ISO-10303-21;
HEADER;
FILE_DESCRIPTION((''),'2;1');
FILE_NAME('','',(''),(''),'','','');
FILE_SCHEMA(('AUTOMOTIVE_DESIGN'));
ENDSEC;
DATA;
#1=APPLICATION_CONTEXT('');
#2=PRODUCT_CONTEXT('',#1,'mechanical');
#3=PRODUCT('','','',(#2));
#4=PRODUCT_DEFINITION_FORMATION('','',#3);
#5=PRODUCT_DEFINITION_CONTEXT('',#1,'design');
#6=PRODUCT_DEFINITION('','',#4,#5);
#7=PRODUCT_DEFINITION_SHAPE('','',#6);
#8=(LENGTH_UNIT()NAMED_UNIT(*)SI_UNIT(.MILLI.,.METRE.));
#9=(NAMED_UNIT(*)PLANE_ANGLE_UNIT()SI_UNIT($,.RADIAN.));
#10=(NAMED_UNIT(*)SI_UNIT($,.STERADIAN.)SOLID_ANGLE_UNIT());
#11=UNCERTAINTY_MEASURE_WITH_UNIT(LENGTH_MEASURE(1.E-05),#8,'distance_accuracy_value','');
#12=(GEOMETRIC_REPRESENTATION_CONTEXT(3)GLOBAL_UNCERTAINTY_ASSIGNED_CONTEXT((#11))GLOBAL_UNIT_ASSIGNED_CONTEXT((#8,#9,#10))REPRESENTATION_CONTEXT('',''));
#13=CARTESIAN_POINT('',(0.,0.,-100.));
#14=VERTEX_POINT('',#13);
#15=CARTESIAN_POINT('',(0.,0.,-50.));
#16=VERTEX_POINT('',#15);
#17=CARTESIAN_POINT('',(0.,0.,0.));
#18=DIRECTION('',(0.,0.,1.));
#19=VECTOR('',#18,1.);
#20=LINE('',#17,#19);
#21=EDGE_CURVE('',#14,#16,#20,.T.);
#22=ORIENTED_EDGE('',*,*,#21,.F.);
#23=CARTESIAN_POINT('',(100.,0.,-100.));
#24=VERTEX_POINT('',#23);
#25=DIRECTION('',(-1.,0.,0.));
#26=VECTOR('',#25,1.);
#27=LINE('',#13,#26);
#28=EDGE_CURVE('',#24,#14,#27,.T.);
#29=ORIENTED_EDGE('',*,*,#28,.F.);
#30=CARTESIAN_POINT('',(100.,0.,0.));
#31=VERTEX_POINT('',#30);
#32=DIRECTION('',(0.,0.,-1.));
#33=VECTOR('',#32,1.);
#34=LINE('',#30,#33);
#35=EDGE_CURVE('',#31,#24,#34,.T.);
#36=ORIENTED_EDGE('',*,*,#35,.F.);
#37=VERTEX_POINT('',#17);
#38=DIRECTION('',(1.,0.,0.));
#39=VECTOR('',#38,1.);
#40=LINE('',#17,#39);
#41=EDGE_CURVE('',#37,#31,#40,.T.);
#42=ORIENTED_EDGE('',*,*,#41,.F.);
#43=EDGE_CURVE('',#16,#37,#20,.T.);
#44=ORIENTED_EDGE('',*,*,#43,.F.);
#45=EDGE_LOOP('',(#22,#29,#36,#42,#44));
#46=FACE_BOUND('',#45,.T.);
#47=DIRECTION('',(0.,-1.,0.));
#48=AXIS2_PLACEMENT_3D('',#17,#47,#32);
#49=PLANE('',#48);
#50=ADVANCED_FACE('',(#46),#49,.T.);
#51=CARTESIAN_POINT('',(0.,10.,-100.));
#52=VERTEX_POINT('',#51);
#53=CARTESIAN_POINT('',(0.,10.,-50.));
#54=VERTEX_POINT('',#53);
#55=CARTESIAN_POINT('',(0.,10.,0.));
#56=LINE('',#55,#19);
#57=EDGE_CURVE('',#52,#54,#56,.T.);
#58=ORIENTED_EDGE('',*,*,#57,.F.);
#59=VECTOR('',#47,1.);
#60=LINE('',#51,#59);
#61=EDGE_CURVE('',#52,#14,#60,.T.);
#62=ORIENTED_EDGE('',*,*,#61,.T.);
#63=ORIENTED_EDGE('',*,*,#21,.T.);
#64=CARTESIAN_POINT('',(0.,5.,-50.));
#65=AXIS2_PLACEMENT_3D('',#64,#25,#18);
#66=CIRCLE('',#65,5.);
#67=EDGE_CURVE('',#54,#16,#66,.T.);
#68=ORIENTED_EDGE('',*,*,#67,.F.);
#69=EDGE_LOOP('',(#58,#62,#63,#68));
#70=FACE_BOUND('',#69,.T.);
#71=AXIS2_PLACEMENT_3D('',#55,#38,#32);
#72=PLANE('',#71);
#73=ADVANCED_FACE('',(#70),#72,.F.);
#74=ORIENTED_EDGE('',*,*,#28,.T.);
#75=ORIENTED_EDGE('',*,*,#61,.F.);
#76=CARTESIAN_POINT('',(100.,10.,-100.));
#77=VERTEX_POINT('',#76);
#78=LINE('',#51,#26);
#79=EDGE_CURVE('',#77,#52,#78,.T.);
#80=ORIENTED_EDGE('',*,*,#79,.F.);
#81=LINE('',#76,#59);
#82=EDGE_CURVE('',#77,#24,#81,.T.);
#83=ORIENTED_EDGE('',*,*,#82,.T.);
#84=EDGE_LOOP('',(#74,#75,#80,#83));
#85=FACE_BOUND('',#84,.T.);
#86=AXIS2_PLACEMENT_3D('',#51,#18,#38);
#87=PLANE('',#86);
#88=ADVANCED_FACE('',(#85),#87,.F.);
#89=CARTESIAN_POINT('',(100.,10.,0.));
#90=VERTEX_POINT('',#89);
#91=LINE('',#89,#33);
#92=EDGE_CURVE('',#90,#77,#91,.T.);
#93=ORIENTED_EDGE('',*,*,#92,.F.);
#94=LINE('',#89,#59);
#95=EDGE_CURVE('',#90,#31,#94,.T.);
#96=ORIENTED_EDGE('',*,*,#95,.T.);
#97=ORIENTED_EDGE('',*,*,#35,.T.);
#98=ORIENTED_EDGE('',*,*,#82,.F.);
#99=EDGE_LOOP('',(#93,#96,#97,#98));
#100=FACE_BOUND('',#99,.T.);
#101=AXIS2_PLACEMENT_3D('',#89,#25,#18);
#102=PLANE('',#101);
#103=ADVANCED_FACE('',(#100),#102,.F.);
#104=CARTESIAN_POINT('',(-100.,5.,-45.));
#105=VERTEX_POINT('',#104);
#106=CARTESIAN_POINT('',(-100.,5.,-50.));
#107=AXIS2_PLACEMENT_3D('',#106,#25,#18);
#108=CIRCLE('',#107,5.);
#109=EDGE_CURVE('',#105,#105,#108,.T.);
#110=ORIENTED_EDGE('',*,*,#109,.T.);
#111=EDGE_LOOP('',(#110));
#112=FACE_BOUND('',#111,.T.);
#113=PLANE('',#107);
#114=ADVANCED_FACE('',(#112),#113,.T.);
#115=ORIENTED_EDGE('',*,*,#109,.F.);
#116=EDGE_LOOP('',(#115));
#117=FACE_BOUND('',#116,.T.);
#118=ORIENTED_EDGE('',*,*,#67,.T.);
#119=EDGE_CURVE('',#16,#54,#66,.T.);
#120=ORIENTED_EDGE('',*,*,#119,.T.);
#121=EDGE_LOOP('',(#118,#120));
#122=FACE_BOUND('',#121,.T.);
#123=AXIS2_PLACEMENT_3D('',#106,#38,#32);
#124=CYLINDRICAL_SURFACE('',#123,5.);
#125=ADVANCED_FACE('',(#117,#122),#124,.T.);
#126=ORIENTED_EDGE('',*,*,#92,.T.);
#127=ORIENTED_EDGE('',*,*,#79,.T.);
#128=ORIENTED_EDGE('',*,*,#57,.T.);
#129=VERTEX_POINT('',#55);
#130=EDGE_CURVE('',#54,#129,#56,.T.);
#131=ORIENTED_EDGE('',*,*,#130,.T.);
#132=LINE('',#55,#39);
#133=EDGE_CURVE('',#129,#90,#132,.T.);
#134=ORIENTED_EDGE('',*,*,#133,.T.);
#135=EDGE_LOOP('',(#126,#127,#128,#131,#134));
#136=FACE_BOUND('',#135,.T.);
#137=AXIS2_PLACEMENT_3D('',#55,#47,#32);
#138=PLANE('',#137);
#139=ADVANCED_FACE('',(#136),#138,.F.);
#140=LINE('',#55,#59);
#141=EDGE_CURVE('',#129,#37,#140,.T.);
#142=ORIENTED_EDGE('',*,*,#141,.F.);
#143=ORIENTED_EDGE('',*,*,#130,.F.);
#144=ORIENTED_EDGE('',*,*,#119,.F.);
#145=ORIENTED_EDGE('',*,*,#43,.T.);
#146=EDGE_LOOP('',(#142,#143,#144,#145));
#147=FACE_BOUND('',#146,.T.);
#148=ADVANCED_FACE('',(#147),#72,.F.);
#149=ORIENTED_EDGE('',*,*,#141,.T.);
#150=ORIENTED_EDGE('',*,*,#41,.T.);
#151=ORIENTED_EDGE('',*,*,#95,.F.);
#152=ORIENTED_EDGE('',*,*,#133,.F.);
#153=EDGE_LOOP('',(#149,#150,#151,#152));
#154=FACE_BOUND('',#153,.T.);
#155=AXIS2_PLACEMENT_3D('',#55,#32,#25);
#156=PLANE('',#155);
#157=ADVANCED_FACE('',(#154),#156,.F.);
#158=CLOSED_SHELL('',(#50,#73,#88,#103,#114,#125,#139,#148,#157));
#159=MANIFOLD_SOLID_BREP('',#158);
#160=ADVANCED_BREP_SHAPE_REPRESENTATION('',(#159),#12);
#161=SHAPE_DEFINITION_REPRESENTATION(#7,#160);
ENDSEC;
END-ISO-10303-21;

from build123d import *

# Parameters (mm, degrees)
CROQUIS1_W              = 100
CROQUIS1_H              = 100
SALIENTE_EXTRUIR1_DEPTH = 10
CROQUIS2_R              = 5
SALIENTE_EXTRUIR2_DEPTH = 100


with BuildPart() as part:
    # Croquis1 → Saliente-Extruir1 (new body)
    with BuildSketch(Plane(origin=(0, 0, 0), x_dir=(1, 0, 0), z_dir=(0, 1, 0))):
        with Locations((50, 50)):
            Rectangle(CROQUIS1_W, CROQUIS1_H)
    extrude(amount=SALIENTE_EXTRUIR1_DEPTH)

    # Croquis2 → Saliente-Extruir2 (add)
    with BuildSketch(Plane.ZY):
        with Locations(Location((-50, 5, 0), (0, 0, 270))):
            Circle(CROQUIS2_R)
    extrude(amount=SALIENTE_EXTRUIR2_DEPTH)


solid = part.part
